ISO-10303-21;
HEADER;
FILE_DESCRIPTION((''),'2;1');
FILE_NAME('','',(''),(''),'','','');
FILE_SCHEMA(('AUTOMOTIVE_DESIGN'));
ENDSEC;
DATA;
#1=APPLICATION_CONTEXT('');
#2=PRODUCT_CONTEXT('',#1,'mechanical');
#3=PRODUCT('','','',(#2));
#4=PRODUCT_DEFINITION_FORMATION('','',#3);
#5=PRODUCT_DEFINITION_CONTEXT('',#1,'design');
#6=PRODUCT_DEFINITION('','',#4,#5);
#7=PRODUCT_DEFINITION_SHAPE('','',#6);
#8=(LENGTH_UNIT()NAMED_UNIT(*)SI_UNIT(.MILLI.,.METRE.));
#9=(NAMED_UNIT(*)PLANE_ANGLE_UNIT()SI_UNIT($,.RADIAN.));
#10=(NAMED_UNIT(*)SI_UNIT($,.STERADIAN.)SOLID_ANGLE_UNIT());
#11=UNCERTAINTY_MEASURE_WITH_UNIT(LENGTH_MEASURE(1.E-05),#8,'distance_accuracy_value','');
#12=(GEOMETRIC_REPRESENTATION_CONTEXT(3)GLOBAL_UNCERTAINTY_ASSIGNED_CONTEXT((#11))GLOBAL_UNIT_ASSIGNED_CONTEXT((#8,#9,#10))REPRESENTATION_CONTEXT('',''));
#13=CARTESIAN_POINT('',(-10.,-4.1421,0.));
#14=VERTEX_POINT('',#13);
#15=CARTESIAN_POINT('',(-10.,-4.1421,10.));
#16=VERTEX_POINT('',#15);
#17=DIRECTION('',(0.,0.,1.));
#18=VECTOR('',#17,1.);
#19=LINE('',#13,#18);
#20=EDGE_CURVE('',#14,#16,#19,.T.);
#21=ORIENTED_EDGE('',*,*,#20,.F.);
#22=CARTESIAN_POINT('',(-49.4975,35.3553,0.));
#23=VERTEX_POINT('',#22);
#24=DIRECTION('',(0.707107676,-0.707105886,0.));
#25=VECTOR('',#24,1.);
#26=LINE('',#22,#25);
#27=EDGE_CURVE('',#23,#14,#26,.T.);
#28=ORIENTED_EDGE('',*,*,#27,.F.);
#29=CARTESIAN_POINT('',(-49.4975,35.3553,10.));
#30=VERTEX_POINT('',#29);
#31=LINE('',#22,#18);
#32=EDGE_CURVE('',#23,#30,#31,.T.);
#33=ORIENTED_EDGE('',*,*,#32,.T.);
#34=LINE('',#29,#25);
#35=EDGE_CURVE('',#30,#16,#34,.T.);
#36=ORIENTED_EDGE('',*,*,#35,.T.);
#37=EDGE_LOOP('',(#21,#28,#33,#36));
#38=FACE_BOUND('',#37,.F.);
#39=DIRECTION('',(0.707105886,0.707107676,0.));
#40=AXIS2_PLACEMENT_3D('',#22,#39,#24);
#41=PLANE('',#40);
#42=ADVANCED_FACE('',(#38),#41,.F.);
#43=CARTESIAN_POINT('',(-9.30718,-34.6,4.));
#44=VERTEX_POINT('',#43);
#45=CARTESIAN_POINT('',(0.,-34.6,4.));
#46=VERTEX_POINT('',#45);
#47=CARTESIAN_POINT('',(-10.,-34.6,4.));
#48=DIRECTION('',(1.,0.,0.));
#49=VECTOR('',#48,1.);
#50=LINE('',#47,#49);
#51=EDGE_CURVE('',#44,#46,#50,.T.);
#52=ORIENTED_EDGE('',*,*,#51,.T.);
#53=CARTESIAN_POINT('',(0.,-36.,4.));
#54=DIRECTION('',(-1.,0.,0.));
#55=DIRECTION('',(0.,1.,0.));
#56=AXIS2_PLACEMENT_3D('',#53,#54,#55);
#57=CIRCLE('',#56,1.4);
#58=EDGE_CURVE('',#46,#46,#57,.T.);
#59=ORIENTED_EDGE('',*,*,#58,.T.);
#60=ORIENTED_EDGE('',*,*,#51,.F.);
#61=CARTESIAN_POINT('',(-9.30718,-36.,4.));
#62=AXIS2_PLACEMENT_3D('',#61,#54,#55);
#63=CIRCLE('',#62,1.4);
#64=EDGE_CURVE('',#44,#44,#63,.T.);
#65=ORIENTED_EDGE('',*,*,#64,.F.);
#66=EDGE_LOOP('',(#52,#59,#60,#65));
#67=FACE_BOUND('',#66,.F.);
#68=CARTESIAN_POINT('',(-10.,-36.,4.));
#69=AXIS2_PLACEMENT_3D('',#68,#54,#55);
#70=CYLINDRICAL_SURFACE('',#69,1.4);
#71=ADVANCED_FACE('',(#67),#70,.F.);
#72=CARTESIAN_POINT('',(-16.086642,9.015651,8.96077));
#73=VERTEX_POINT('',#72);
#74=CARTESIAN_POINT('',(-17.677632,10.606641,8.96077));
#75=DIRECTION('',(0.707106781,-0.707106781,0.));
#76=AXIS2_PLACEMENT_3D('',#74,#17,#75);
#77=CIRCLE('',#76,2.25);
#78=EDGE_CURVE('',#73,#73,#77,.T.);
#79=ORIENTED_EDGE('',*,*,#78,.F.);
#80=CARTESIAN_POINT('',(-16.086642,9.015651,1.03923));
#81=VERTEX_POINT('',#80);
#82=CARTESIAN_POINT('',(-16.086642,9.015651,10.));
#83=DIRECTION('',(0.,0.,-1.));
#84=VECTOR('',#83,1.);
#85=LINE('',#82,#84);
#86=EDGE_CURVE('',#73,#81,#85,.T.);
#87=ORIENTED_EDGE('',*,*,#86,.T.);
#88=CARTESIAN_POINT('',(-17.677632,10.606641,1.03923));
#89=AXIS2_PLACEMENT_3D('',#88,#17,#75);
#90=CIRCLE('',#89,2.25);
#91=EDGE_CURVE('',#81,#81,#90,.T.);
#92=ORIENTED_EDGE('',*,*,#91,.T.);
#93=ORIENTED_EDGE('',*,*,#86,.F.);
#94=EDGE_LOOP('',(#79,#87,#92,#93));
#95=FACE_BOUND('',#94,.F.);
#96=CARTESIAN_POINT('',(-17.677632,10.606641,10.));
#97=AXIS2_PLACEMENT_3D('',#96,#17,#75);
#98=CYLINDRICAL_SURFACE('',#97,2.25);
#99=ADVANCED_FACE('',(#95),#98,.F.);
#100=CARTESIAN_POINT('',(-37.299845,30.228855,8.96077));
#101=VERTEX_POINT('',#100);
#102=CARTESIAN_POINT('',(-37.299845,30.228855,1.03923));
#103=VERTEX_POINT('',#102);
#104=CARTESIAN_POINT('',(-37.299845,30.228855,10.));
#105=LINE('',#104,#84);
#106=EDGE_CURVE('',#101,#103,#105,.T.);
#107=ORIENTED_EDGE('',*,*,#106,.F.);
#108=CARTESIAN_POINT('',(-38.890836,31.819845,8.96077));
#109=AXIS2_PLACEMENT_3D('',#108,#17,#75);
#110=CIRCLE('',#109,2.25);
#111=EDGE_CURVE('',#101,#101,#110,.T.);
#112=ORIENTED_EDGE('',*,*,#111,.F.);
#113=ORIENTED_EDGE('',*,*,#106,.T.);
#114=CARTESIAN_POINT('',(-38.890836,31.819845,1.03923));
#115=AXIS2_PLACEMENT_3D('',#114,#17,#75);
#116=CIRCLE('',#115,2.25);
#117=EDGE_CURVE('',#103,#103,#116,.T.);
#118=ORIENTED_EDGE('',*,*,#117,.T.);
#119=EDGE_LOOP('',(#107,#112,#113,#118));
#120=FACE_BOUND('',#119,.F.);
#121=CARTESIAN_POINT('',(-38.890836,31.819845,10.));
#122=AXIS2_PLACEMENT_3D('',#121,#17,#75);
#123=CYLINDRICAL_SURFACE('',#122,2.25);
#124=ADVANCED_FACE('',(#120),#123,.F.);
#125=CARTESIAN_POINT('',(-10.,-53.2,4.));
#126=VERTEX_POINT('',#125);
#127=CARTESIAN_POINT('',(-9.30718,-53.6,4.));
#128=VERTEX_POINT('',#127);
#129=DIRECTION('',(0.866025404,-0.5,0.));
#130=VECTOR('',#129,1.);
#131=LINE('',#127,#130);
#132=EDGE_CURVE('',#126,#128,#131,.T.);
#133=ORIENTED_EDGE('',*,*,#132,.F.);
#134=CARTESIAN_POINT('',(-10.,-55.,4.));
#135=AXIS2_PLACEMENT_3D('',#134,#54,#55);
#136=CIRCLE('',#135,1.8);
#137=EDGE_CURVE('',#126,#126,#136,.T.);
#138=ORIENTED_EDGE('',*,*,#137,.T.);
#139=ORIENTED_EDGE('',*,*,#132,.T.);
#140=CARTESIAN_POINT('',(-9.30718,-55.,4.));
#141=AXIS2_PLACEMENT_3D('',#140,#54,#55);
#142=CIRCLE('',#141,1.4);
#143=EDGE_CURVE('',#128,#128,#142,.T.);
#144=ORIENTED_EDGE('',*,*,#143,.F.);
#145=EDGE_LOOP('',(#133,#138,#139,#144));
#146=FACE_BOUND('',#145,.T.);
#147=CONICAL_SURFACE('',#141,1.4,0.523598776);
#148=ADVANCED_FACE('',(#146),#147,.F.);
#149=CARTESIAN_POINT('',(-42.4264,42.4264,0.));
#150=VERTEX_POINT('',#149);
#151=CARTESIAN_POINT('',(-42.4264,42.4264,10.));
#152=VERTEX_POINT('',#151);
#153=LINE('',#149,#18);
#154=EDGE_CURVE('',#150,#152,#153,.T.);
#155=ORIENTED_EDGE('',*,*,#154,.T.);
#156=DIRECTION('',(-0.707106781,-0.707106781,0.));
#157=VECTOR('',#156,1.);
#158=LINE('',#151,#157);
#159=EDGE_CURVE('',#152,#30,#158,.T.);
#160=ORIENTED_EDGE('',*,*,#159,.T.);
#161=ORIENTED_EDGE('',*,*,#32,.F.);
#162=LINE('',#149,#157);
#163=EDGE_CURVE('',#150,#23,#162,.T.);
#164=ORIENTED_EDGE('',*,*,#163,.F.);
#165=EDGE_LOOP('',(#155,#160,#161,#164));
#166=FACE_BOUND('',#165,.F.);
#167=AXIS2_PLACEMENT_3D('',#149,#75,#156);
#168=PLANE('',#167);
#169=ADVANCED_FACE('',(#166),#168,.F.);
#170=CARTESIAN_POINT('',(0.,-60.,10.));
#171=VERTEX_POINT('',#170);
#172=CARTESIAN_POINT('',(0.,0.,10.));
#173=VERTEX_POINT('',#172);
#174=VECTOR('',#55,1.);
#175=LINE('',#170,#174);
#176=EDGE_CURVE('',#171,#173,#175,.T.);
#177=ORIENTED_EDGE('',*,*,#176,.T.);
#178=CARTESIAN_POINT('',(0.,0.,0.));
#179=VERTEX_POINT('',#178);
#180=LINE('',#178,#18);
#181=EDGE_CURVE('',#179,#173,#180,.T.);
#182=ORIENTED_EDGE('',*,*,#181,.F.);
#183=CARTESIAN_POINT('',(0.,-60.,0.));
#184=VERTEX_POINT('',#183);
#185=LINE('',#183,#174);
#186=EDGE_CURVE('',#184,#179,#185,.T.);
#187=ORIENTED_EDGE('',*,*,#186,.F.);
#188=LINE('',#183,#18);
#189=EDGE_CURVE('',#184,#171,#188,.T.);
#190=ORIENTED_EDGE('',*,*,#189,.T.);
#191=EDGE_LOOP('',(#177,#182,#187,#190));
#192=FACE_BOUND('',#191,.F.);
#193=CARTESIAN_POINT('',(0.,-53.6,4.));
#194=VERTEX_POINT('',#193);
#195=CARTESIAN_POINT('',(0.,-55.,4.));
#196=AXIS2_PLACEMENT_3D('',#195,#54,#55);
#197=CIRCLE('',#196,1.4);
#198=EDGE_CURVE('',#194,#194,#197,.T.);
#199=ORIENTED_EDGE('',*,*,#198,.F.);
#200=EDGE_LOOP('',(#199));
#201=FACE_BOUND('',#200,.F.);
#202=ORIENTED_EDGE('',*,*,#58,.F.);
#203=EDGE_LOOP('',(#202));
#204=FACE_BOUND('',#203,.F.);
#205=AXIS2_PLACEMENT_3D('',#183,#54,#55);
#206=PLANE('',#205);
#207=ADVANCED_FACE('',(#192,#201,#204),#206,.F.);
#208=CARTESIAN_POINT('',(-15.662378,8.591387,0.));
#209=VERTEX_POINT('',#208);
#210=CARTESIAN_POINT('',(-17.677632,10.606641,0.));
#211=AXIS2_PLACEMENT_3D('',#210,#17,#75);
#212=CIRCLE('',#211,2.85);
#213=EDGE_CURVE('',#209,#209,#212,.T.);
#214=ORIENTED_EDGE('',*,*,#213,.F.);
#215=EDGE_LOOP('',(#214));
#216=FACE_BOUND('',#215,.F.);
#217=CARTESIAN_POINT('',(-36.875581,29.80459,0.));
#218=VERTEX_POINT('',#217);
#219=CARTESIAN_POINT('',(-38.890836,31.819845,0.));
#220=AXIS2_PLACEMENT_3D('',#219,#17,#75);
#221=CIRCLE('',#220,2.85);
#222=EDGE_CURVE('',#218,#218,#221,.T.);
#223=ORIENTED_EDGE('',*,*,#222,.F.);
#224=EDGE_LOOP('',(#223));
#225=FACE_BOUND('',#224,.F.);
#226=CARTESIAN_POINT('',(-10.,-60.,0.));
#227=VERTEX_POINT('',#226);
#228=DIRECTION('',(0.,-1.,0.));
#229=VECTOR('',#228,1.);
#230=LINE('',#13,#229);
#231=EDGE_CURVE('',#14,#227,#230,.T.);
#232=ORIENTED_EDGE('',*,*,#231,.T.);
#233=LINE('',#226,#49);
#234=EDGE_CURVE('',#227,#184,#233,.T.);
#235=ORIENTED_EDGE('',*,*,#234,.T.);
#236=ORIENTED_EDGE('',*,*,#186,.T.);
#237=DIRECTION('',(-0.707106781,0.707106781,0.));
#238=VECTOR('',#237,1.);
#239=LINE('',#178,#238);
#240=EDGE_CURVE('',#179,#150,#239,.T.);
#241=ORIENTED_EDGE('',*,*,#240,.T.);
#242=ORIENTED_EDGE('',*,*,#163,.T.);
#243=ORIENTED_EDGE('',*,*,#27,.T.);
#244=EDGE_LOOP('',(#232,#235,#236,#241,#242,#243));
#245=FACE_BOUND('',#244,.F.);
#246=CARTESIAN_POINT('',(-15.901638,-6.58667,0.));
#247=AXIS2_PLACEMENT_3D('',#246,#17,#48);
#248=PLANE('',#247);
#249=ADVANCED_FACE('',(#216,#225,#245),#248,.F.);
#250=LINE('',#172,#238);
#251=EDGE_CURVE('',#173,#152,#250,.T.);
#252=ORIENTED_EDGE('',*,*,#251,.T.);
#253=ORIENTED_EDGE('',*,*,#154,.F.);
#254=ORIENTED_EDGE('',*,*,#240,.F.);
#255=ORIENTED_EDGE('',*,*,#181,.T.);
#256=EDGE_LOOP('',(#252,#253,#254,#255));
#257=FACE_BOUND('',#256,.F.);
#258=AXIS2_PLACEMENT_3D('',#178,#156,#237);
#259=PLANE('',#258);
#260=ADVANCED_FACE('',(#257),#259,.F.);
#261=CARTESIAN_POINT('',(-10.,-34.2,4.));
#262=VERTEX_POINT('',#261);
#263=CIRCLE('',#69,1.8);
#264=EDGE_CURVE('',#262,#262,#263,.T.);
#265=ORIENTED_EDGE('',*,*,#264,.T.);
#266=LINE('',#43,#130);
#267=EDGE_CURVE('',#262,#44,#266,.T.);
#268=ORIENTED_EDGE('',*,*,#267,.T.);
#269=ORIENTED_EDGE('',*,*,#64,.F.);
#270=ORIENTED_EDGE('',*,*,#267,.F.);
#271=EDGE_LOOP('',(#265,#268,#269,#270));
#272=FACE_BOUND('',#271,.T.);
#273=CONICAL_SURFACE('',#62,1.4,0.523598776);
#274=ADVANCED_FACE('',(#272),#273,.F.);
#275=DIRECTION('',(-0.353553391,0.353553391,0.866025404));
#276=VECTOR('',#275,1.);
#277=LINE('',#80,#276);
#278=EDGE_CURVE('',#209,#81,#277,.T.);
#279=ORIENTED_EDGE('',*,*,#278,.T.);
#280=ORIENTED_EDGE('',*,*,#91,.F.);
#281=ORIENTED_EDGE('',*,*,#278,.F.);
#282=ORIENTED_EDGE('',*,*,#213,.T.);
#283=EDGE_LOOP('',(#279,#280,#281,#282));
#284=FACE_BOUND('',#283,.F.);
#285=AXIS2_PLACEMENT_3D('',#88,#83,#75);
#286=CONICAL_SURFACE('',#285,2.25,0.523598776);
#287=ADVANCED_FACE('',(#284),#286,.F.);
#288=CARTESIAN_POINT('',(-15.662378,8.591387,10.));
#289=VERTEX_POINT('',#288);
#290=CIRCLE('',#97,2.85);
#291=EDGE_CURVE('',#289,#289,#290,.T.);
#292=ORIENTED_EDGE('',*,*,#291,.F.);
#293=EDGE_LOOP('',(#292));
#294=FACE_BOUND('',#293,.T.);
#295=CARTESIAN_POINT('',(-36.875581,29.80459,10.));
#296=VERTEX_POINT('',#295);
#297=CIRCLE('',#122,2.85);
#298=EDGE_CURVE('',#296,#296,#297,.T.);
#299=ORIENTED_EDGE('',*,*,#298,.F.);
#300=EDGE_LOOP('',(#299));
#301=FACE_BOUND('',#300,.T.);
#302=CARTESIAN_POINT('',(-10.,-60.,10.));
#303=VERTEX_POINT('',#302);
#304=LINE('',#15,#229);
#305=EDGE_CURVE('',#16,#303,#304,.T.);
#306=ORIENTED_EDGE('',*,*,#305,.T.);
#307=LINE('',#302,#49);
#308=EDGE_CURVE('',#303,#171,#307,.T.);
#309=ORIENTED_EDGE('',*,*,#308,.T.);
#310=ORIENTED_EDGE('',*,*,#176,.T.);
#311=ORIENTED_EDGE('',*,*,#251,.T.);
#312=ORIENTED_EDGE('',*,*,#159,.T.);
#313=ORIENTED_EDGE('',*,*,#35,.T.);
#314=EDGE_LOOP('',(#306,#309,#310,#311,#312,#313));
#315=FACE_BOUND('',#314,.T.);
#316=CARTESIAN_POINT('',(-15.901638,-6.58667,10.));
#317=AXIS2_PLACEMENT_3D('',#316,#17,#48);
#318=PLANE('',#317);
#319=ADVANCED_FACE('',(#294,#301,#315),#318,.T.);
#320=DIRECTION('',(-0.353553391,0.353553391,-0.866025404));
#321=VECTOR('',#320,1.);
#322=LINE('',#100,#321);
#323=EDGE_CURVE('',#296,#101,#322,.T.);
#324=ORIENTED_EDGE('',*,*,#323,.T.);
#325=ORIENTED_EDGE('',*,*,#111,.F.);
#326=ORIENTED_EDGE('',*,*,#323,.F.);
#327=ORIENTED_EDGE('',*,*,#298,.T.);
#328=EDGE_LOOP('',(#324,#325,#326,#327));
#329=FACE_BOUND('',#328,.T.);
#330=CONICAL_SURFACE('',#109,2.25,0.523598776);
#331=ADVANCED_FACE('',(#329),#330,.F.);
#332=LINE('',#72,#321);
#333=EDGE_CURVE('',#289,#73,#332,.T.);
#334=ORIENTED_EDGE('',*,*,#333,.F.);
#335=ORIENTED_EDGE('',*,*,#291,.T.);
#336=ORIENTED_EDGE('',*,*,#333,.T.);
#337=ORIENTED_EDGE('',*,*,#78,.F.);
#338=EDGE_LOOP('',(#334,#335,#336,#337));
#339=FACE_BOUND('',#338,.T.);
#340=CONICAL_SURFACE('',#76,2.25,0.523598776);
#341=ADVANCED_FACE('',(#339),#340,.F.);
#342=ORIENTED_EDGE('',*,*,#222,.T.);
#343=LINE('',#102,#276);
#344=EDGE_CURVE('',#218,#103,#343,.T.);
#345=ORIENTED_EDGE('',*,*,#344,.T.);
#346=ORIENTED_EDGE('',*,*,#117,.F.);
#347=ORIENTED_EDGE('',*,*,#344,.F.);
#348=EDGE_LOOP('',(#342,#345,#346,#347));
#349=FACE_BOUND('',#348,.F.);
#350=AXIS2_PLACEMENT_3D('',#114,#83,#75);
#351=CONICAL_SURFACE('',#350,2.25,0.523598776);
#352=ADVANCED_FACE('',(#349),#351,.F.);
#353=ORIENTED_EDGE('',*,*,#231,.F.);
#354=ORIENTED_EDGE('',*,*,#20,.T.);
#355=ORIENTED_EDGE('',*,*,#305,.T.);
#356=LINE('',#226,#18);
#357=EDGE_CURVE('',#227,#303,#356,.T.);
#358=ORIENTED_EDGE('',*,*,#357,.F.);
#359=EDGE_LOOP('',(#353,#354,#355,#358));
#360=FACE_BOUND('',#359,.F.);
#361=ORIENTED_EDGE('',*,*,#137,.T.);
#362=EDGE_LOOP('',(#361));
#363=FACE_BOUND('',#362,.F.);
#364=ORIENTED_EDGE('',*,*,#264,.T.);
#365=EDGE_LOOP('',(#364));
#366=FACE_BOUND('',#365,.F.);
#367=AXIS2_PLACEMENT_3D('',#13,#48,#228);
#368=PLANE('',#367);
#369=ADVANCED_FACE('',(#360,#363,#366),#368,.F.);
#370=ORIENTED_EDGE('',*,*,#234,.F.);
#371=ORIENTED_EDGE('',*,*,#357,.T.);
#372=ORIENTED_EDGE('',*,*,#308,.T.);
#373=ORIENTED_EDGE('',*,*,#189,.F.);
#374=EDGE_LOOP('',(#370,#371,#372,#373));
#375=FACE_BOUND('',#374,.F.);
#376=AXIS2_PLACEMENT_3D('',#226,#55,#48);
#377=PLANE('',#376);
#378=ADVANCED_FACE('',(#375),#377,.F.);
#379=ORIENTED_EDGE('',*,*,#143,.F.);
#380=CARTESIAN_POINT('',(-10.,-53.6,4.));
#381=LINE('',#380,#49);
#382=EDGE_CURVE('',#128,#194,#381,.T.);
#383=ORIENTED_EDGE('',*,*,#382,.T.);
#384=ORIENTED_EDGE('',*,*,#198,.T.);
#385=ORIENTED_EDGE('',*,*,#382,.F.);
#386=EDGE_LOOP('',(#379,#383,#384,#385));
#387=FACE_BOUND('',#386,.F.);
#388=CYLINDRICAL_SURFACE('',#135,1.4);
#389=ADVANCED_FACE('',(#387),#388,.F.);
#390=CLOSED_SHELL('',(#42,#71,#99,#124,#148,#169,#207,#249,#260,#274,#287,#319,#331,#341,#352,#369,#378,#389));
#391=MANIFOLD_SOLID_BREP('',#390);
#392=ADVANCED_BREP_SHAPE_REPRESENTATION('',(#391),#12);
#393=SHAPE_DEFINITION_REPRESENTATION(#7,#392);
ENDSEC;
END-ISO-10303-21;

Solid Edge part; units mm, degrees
sketch "Sketch1" plane through (0, 0, 0) normal (0, 0, 1) x (1, 0, 0)
  line L0 (-10, -60) -> (0, -60)
  line L1 (0, -60) -> (0, 0)
  line L2 (0, 0) -> (-42.4264, 42.4264)
  line L3 (-42.4264, 42.4264) -> (-49.4975, 35.3553)
  line L4 (-49.4975, 35.3553) -> (-10, -4.1421)
  line L5 (-10, -4.1421) -> (-10, -60)
  dimension "D1" = 10
  dimension "D2" = 10
  dimension "D3" = 60
  dimension "D4" = 60
extrude "Extrusionsausprägung_3" add sketch "Sketch1" along normal blind 10
sketch "Sketch2" plane through (-24.7487, -3.7868, 10) normal (0, 0, 1) x (0.7071, -0.7071, 0)
  circle A0 centre (-35.1777, 15.1777) radius 2.25
  circle A1 centre (-5.1777, 15.1777) radius 2.25
  dimension "D1" = 30
  dimension "D2" = 4.5
  dimension "D3" = 20
extrude "Cutout1" cut sketch "Sketch2" against normal up to next
sketch "Sketch3" plane through (-10, -32.0711, 5) normal (-1, 0, 0) x (0, 1, 0)
  circle A0 centre (-3.9289, 1) radius 1.4
  circle A1 centre (-22.9289, 1) radius 1.4
  dimension "D1" = 2.8
  dimension "D2" = 19
  dimension "D3" = 5
  dimension "D4" = 4
extrude "Cutout2" cut sketch "Sketch3" against normal up to next
chamfer "Fase_1" distance 0.4 angle 60 2 edges at (-10, -56.4, 4) (-10, -37.4, 4) measured on face at (-10, -12.8932, 8.2333)
chamfer "Fase_2" distance 0.6 angle 60 2 edges at (-19.2687, 12.1976, 10) (-40.4819, 33.4108, 10) measured on face at (-8.7446, -41.9047, 10)
chamfer "Fase_3" distance 0.6 angle 60 2 edges at (-19.9277, 10.6066, 0) (-41.1409, 31.8198, 0) measured on face at (-8.7446, -41.9047, 0)
properties material "Nylon, allgemein"
